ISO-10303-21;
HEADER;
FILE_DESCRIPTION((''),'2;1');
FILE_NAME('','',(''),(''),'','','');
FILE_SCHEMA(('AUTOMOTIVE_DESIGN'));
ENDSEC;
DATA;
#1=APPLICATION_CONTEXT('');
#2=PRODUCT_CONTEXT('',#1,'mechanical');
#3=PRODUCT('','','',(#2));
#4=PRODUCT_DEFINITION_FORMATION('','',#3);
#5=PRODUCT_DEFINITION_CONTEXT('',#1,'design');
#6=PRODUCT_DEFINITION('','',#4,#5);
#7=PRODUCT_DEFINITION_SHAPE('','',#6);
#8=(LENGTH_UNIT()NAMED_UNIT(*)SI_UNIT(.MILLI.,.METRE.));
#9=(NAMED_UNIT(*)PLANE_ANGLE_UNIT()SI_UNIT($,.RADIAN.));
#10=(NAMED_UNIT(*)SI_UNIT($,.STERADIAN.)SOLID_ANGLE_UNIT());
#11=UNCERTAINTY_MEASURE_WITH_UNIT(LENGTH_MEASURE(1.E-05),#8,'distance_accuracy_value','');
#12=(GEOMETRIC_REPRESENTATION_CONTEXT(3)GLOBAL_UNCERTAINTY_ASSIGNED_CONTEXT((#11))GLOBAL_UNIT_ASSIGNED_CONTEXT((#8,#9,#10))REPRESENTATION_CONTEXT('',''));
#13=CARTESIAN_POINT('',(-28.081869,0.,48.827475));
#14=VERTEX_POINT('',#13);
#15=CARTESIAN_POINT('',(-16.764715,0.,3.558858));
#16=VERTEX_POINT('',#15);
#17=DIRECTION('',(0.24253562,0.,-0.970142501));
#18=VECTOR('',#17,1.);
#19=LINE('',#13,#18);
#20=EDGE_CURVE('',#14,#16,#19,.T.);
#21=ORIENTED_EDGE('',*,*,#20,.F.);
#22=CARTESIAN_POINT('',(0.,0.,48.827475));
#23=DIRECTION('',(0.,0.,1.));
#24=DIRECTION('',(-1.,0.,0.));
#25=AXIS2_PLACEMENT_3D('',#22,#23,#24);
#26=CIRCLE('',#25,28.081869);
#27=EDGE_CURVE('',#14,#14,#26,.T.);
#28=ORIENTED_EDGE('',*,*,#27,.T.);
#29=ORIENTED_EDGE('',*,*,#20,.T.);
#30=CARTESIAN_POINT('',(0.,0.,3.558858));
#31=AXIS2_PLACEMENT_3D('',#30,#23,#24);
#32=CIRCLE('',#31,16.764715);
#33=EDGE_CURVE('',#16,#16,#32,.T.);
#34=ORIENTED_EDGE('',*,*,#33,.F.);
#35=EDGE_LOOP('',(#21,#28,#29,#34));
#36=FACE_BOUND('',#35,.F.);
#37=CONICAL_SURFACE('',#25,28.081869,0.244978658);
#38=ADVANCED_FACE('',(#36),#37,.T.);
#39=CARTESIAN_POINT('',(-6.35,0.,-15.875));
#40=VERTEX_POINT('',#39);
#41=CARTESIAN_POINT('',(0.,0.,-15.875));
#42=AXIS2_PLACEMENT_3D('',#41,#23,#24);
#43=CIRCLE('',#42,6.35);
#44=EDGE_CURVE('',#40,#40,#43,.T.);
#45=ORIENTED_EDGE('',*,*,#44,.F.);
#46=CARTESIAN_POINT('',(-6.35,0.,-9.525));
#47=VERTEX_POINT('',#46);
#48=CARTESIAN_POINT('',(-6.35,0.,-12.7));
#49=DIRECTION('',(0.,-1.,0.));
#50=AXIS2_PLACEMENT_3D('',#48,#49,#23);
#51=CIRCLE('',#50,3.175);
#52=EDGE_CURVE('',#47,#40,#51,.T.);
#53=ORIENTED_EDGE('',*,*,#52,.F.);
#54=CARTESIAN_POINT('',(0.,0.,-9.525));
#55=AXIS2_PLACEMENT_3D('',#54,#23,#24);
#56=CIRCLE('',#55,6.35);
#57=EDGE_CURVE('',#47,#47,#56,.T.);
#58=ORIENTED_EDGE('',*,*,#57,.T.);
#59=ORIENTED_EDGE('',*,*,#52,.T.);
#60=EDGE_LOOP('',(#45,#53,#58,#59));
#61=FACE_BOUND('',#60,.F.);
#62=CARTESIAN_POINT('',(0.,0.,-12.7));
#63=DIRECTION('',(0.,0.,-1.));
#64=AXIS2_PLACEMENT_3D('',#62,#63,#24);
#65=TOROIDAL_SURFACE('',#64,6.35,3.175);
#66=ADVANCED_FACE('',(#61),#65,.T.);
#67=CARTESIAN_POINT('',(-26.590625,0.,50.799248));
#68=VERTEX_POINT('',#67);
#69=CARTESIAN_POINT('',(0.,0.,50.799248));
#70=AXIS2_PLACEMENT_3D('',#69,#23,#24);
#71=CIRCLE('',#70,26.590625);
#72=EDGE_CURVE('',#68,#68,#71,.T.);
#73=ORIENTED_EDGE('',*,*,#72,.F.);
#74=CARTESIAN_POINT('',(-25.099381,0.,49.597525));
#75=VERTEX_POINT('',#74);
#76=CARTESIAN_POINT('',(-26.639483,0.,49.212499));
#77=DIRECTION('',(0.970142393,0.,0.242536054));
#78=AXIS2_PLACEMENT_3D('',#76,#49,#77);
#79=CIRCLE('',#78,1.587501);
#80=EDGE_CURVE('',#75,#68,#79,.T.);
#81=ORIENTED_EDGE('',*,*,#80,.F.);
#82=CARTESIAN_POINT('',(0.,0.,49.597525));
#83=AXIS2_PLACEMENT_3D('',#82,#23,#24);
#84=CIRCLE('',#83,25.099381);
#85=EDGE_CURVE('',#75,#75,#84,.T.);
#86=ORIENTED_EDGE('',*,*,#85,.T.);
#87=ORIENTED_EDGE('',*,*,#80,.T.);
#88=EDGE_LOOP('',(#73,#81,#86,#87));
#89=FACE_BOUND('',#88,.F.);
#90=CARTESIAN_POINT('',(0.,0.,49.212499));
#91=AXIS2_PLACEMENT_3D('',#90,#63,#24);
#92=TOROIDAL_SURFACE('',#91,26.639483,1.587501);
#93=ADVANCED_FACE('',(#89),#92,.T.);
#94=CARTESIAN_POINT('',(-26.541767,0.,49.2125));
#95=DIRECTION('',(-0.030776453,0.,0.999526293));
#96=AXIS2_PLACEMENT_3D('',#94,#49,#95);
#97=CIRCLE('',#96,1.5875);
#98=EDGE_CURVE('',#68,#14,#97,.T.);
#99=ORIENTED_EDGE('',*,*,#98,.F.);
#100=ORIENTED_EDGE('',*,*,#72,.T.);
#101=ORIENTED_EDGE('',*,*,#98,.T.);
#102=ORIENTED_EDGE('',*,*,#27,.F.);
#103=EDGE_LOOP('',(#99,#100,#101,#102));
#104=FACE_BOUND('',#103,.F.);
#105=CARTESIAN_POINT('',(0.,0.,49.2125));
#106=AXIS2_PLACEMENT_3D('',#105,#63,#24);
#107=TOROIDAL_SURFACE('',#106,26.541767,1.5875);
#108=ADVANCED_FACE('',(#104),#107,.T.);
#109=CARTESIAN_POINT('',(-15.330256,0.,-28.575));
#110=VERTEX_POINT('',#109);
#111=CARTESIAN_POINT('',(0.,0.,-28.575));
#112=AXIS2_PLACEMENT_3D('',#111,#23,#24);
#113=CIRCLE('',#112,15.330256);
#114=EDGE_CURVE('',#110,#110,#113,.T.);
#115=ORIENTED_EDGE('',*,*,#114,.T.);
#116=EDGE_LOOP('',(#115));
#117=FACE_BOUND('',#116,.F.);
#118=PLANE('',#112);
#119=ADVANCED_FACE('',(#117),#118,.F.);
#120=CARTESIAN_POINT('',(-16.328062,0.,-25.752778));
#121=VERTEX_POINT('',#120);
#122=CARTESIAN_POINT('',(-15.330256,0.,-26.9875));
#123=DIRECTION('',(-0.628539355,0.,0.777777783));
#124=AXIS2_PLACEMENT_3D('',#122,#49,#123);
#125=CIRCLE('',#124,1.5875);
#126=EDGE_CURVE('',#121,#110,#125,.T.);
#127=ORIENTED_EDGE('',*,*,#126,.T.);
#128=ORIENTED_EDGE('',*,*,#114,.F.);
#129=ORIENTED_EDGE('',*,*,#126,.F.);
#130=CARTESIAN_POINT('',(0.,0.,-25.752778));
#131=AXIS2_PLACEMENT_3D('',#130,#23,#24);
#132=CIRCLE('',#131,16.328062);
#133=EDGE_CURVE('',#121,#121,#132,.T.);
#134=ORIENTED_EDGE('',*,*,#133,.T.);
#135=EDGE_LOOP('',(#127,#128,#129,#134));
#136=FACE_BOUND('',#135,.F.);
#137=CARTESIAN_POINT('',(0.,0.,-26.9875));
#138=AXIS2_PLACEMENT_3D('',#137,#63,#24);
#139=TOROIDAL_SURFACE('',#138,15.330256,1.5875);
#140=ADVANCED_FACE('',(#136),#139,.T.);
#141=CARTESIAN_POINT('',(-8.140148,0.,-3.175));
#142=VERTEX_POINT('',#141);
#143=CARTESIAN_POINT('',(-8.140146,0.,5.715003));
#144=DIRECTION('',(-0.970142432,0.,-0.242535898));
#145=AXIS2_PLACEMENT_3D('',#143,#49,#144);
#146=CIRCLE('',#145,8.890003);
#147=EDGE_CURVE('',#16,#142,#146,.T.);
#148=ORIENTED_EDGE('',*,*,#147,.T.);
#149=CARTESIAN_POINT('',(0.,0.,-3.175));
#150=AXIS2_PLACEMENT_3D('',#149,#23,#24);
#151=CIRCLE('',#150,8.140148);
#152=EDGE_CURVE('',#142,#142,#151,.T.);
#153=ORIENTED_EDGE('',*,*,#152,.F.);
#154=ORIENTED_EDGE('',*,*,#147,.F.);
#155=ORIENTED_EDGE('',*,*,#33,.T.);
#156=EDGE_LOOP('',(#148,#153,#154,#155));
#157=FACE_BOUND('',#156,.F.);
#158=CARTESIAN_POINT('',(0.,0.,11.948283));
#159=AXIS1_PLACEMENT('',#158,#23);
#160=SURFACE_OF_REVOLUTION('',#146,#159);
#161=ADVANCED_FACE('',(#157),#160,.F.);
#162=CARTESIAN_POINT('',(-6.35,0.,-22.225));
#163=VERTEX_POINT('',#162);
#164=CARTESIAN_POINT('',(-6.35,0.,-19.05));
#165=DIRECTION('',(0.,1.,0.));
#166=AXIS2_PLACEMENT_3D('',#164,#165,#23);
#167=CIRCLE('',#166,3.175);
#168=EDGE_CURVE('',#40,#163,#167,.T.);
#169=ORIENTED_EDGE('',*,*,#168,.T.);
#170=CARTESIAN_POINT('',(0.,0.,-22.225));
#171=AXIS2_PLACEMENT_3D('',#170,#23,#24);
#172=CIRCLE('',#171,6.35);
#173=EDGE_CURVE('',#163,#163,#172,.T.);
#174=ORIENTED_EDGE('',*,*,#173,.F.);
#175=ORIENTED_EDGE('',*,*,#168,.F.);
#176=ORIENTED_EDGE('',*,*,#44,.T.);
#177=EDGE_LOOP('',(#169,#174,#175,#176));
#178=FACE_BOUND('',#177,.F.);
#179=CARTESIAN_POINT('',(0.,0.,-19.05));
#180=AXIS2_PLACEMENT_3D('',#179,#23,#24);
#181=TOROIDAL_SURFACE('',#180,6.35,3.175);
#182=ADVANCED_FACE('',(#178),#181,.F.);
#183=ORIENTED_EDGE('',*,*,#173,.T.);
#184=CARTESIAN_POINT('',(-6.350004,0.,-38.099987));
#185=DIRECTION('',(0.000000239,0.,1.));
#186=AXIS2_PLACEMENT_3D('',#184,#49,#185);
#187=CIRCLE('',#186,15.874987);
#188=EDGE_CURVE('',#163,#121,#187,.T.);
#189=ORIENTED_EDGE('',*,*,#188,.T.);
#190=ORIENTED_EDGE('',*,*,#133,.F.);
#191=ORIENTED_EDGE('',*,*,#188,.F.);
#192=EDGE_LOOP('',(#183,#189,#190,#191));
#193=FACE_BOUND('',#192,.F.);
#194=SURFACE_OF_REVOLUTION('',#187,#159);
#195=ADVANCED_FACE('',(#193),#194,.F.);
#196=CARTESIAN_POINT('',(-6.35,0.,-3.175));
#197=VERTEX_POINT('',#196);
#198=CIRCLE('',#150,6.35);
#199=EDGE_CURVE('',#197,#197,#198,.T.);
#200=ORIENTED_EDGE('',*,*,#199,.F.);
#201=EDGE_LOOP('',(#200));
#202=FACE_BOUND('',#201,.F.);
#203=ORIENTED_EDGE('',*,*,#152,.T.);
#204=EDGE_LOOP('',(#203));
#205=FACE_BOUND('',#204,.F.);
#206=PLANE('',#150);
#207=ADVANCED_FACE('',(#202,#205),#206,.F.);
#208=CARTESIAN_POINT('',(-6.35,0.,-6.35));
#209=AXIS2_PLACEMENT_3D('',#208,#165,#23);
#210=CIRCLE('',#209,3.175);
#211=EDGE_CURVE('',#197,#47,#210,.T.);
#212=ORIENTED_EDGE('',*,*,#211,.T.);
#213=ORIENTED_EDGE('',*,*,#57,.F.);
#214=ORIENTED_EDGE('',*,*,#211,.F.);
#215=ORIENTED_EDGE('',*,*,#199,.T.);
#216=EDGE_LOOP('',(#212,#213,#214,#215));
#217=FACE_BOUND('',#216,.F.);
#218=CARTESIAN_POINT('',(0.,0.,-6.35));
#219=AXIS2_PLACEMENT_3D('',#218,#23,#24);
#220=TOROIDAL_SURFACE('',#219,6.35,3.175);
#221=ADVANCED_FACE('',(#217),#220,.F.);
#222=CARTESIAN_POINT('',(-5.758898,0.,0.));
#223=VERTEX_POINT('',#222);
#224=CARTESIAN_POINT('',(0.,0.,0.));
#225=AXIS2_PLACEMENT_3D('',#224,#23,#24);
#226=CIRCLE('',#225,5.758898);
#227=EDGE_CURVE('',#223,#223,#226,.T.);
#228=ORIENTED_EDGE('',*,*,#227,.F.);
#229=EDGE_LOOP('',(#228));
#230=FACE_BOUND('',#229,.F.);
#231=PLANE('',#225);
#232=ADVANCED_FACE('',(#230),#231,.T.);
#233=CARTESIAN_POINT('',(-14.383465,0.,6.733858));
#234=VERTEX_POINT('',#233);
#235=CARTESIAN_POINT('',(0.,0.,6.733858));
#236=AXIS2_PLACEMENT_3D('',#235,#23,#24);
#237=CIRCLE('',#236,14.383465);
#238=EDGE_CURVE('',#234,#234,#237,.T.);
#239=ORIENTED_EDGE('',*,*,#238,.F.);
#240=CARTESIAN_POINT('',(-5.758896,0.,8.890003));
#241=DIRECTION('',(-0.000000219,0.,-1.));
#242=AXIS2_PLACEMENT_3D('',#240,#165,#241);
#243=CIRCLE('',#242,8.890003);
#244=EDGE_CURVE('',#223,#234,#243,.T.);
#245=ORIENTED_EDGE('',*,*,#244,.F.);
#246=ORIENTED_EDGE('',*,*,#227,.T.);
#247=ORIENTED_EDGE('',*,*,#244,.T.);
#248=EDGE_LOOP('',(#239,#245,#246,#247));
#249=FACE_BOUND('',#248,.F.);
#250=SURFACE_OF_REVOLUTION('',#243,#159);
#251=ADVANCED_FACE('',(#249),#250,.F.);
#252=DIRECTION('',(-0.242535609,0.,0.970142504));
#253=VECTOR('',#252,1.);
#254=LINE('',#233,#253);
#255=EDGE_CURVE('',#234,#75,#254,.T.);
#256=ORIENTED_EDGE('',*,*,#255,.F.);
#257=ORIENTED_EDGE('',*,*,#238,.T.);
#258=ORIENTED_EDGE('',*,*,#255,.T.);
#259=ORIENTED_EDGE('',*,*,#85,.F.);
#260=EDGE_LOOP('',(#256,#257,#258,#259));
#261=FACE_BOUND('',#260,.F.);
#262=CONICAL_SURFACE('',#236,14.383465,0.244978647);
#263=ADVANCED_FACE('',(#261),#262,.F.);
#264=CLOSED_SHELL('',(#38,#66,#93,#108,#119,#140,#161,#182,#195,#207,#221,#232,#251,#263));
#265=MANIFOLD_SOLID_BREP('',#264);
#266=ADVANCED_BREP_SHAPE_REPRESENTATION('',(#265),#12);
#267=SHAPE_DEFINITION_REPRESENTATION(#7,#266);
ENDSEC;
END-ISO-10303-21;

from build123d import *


with BuildPart() as f1:
    # F0 (on Front) → F1 (revolve)
    with BuildSketch(Plane.XZ):
        with BuildLine():
            Line((0, -28.575), (0, 0))
            Line((0, 0), (-5.758898, 0))
            ThreePointArc((-5.758898, 0), (-11.229912, 1.882854), (-14.383465, 6.733858))
            Line((-14.383465, 6.733858), (-25.099381, 49.597525))
            ThreePointArc((-25.099381, 49.597525), (-25.643374, 50.448592), (-26.590625, 50.799248))
            ThreePointArc((-26.590625, 50.799248), (-27.807931, 50.170094), (-28.081869, 48.827475))
            Line((-28.081869, 48.827475), (-16.764715, 3.558858))
            ThreePointArc((-16.764715, 3.558858), (-13.611162, -1.292146), (-8.140148, -3.175))
            Line((-8.140148, -3.175), (-6.35, -3.175))
            ThreePointArc((-6.35, -3.175), (-3.175, -6.35), (-6.35, -9.525))
            ThreePointArc((-6.35, -9.525), (-9.525, -12.7), (-6.35, -15.875))
            ThreePointArc((-6.35, -15.875), (-3.175, -19.05), (-6.35, -22.225))
            ThreePointArc((-6.35, -22.225), (-11.641667, -23.132906), (-16.328062, -25.752778))
            ThreePointArc((-16.328062, -25.752778), (-16.826965, -27.516667), (-15.330256, -28.575))
            Line((-15.330256, -28.575), (0, -28.575))
        make_face()
    revolve(axis=Axis((0, 0, 11.948283), (0, 0, 1)))


solid = f1.part
